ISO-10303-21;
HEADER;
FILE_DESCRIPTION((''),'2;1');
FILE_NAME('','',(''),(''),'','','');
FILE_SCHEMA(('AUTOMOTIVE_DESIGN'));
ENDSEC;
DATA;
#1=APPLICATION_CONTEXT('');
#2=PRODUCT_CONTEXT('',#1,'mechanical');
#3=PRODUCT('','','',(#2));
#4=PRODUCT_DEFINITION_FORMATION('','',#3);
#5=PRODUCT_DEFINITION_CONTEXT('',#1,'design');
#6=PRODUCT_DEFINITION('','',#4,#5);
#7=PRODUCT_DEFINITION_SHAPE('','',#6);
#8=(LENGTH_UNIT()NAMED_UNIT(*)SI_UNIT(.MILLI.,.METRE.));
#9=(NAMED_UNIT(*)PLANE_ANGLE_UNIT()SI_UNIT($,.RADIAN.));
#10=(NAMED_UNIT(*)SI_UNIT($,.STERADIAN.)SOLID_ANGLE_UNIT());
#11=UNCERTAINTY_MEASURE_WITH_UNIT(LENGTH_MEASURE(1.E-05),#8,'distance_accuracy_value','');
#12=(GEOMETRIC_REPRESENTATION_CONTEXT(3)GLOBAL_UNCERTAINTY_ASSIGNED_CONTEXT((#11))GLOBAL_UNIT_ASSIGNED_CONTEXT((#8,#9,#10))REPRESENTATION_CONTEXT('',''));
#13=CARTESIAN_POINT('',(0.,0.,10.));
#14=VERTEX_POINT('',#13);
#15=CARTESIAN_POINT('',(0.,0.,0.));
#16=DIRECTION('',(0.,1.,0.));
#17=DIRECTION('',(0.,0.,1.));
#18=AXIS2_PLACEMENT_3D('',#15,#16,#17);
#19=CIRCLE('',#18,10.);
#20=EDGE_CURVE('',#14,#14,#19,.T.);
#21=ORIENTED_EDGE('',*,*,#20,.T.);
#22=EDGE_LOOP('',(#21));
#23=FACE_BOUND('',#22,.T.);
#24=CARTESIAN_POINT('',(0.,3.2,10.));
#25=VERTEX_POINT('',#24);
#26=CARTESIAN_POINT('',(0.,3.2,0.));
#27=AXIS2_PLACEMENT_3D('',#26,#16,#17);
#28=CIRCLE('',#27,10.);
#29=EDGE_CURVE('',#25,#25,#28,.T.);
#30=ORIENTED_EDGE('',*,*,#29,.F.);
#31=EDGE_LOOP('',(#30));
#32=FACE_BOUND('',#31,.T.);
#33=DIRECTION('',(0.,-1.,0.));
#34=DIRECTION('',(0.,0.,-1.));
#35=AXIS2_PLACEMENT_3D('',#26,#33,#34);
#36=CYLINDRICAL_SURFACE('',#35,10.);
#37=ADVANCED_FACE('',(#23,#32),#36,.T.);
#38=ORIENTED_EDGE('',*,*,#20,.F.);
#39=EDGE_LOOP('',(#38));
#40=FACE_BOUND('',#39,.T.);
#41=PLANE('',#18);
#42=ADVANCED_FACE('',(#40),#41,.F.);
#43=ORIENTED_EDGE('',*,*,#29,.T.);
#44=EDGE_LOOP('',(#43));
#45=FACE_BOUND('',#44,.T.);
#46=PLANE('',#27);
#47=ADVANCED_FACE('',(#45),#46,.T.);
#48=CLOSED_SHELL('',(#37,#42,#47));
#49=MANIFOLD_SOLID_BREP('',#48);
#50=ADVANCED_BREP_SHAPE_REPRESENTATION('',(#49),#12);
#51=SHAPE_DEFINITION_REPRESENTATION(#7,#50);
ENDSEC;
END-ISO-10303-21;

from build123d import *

# Parameters (mm, degrees)
SKETCH_1_R      = 10
EXTRUDE_1_DEPTH = 3.2


with BuildPart() as part:
    # Эскиз1 → Бобышка-Вытянуть1 (new body)
    with BuildSketch(Plane(origin=(0, 0, 0), x_dir=(1, 0, 0), z_dir=(0, 1, 0))):
        Circle(SKETCH_1_R)
    extrude(amount=EXTRUDE_1_DEPTH)


solid = part.part
